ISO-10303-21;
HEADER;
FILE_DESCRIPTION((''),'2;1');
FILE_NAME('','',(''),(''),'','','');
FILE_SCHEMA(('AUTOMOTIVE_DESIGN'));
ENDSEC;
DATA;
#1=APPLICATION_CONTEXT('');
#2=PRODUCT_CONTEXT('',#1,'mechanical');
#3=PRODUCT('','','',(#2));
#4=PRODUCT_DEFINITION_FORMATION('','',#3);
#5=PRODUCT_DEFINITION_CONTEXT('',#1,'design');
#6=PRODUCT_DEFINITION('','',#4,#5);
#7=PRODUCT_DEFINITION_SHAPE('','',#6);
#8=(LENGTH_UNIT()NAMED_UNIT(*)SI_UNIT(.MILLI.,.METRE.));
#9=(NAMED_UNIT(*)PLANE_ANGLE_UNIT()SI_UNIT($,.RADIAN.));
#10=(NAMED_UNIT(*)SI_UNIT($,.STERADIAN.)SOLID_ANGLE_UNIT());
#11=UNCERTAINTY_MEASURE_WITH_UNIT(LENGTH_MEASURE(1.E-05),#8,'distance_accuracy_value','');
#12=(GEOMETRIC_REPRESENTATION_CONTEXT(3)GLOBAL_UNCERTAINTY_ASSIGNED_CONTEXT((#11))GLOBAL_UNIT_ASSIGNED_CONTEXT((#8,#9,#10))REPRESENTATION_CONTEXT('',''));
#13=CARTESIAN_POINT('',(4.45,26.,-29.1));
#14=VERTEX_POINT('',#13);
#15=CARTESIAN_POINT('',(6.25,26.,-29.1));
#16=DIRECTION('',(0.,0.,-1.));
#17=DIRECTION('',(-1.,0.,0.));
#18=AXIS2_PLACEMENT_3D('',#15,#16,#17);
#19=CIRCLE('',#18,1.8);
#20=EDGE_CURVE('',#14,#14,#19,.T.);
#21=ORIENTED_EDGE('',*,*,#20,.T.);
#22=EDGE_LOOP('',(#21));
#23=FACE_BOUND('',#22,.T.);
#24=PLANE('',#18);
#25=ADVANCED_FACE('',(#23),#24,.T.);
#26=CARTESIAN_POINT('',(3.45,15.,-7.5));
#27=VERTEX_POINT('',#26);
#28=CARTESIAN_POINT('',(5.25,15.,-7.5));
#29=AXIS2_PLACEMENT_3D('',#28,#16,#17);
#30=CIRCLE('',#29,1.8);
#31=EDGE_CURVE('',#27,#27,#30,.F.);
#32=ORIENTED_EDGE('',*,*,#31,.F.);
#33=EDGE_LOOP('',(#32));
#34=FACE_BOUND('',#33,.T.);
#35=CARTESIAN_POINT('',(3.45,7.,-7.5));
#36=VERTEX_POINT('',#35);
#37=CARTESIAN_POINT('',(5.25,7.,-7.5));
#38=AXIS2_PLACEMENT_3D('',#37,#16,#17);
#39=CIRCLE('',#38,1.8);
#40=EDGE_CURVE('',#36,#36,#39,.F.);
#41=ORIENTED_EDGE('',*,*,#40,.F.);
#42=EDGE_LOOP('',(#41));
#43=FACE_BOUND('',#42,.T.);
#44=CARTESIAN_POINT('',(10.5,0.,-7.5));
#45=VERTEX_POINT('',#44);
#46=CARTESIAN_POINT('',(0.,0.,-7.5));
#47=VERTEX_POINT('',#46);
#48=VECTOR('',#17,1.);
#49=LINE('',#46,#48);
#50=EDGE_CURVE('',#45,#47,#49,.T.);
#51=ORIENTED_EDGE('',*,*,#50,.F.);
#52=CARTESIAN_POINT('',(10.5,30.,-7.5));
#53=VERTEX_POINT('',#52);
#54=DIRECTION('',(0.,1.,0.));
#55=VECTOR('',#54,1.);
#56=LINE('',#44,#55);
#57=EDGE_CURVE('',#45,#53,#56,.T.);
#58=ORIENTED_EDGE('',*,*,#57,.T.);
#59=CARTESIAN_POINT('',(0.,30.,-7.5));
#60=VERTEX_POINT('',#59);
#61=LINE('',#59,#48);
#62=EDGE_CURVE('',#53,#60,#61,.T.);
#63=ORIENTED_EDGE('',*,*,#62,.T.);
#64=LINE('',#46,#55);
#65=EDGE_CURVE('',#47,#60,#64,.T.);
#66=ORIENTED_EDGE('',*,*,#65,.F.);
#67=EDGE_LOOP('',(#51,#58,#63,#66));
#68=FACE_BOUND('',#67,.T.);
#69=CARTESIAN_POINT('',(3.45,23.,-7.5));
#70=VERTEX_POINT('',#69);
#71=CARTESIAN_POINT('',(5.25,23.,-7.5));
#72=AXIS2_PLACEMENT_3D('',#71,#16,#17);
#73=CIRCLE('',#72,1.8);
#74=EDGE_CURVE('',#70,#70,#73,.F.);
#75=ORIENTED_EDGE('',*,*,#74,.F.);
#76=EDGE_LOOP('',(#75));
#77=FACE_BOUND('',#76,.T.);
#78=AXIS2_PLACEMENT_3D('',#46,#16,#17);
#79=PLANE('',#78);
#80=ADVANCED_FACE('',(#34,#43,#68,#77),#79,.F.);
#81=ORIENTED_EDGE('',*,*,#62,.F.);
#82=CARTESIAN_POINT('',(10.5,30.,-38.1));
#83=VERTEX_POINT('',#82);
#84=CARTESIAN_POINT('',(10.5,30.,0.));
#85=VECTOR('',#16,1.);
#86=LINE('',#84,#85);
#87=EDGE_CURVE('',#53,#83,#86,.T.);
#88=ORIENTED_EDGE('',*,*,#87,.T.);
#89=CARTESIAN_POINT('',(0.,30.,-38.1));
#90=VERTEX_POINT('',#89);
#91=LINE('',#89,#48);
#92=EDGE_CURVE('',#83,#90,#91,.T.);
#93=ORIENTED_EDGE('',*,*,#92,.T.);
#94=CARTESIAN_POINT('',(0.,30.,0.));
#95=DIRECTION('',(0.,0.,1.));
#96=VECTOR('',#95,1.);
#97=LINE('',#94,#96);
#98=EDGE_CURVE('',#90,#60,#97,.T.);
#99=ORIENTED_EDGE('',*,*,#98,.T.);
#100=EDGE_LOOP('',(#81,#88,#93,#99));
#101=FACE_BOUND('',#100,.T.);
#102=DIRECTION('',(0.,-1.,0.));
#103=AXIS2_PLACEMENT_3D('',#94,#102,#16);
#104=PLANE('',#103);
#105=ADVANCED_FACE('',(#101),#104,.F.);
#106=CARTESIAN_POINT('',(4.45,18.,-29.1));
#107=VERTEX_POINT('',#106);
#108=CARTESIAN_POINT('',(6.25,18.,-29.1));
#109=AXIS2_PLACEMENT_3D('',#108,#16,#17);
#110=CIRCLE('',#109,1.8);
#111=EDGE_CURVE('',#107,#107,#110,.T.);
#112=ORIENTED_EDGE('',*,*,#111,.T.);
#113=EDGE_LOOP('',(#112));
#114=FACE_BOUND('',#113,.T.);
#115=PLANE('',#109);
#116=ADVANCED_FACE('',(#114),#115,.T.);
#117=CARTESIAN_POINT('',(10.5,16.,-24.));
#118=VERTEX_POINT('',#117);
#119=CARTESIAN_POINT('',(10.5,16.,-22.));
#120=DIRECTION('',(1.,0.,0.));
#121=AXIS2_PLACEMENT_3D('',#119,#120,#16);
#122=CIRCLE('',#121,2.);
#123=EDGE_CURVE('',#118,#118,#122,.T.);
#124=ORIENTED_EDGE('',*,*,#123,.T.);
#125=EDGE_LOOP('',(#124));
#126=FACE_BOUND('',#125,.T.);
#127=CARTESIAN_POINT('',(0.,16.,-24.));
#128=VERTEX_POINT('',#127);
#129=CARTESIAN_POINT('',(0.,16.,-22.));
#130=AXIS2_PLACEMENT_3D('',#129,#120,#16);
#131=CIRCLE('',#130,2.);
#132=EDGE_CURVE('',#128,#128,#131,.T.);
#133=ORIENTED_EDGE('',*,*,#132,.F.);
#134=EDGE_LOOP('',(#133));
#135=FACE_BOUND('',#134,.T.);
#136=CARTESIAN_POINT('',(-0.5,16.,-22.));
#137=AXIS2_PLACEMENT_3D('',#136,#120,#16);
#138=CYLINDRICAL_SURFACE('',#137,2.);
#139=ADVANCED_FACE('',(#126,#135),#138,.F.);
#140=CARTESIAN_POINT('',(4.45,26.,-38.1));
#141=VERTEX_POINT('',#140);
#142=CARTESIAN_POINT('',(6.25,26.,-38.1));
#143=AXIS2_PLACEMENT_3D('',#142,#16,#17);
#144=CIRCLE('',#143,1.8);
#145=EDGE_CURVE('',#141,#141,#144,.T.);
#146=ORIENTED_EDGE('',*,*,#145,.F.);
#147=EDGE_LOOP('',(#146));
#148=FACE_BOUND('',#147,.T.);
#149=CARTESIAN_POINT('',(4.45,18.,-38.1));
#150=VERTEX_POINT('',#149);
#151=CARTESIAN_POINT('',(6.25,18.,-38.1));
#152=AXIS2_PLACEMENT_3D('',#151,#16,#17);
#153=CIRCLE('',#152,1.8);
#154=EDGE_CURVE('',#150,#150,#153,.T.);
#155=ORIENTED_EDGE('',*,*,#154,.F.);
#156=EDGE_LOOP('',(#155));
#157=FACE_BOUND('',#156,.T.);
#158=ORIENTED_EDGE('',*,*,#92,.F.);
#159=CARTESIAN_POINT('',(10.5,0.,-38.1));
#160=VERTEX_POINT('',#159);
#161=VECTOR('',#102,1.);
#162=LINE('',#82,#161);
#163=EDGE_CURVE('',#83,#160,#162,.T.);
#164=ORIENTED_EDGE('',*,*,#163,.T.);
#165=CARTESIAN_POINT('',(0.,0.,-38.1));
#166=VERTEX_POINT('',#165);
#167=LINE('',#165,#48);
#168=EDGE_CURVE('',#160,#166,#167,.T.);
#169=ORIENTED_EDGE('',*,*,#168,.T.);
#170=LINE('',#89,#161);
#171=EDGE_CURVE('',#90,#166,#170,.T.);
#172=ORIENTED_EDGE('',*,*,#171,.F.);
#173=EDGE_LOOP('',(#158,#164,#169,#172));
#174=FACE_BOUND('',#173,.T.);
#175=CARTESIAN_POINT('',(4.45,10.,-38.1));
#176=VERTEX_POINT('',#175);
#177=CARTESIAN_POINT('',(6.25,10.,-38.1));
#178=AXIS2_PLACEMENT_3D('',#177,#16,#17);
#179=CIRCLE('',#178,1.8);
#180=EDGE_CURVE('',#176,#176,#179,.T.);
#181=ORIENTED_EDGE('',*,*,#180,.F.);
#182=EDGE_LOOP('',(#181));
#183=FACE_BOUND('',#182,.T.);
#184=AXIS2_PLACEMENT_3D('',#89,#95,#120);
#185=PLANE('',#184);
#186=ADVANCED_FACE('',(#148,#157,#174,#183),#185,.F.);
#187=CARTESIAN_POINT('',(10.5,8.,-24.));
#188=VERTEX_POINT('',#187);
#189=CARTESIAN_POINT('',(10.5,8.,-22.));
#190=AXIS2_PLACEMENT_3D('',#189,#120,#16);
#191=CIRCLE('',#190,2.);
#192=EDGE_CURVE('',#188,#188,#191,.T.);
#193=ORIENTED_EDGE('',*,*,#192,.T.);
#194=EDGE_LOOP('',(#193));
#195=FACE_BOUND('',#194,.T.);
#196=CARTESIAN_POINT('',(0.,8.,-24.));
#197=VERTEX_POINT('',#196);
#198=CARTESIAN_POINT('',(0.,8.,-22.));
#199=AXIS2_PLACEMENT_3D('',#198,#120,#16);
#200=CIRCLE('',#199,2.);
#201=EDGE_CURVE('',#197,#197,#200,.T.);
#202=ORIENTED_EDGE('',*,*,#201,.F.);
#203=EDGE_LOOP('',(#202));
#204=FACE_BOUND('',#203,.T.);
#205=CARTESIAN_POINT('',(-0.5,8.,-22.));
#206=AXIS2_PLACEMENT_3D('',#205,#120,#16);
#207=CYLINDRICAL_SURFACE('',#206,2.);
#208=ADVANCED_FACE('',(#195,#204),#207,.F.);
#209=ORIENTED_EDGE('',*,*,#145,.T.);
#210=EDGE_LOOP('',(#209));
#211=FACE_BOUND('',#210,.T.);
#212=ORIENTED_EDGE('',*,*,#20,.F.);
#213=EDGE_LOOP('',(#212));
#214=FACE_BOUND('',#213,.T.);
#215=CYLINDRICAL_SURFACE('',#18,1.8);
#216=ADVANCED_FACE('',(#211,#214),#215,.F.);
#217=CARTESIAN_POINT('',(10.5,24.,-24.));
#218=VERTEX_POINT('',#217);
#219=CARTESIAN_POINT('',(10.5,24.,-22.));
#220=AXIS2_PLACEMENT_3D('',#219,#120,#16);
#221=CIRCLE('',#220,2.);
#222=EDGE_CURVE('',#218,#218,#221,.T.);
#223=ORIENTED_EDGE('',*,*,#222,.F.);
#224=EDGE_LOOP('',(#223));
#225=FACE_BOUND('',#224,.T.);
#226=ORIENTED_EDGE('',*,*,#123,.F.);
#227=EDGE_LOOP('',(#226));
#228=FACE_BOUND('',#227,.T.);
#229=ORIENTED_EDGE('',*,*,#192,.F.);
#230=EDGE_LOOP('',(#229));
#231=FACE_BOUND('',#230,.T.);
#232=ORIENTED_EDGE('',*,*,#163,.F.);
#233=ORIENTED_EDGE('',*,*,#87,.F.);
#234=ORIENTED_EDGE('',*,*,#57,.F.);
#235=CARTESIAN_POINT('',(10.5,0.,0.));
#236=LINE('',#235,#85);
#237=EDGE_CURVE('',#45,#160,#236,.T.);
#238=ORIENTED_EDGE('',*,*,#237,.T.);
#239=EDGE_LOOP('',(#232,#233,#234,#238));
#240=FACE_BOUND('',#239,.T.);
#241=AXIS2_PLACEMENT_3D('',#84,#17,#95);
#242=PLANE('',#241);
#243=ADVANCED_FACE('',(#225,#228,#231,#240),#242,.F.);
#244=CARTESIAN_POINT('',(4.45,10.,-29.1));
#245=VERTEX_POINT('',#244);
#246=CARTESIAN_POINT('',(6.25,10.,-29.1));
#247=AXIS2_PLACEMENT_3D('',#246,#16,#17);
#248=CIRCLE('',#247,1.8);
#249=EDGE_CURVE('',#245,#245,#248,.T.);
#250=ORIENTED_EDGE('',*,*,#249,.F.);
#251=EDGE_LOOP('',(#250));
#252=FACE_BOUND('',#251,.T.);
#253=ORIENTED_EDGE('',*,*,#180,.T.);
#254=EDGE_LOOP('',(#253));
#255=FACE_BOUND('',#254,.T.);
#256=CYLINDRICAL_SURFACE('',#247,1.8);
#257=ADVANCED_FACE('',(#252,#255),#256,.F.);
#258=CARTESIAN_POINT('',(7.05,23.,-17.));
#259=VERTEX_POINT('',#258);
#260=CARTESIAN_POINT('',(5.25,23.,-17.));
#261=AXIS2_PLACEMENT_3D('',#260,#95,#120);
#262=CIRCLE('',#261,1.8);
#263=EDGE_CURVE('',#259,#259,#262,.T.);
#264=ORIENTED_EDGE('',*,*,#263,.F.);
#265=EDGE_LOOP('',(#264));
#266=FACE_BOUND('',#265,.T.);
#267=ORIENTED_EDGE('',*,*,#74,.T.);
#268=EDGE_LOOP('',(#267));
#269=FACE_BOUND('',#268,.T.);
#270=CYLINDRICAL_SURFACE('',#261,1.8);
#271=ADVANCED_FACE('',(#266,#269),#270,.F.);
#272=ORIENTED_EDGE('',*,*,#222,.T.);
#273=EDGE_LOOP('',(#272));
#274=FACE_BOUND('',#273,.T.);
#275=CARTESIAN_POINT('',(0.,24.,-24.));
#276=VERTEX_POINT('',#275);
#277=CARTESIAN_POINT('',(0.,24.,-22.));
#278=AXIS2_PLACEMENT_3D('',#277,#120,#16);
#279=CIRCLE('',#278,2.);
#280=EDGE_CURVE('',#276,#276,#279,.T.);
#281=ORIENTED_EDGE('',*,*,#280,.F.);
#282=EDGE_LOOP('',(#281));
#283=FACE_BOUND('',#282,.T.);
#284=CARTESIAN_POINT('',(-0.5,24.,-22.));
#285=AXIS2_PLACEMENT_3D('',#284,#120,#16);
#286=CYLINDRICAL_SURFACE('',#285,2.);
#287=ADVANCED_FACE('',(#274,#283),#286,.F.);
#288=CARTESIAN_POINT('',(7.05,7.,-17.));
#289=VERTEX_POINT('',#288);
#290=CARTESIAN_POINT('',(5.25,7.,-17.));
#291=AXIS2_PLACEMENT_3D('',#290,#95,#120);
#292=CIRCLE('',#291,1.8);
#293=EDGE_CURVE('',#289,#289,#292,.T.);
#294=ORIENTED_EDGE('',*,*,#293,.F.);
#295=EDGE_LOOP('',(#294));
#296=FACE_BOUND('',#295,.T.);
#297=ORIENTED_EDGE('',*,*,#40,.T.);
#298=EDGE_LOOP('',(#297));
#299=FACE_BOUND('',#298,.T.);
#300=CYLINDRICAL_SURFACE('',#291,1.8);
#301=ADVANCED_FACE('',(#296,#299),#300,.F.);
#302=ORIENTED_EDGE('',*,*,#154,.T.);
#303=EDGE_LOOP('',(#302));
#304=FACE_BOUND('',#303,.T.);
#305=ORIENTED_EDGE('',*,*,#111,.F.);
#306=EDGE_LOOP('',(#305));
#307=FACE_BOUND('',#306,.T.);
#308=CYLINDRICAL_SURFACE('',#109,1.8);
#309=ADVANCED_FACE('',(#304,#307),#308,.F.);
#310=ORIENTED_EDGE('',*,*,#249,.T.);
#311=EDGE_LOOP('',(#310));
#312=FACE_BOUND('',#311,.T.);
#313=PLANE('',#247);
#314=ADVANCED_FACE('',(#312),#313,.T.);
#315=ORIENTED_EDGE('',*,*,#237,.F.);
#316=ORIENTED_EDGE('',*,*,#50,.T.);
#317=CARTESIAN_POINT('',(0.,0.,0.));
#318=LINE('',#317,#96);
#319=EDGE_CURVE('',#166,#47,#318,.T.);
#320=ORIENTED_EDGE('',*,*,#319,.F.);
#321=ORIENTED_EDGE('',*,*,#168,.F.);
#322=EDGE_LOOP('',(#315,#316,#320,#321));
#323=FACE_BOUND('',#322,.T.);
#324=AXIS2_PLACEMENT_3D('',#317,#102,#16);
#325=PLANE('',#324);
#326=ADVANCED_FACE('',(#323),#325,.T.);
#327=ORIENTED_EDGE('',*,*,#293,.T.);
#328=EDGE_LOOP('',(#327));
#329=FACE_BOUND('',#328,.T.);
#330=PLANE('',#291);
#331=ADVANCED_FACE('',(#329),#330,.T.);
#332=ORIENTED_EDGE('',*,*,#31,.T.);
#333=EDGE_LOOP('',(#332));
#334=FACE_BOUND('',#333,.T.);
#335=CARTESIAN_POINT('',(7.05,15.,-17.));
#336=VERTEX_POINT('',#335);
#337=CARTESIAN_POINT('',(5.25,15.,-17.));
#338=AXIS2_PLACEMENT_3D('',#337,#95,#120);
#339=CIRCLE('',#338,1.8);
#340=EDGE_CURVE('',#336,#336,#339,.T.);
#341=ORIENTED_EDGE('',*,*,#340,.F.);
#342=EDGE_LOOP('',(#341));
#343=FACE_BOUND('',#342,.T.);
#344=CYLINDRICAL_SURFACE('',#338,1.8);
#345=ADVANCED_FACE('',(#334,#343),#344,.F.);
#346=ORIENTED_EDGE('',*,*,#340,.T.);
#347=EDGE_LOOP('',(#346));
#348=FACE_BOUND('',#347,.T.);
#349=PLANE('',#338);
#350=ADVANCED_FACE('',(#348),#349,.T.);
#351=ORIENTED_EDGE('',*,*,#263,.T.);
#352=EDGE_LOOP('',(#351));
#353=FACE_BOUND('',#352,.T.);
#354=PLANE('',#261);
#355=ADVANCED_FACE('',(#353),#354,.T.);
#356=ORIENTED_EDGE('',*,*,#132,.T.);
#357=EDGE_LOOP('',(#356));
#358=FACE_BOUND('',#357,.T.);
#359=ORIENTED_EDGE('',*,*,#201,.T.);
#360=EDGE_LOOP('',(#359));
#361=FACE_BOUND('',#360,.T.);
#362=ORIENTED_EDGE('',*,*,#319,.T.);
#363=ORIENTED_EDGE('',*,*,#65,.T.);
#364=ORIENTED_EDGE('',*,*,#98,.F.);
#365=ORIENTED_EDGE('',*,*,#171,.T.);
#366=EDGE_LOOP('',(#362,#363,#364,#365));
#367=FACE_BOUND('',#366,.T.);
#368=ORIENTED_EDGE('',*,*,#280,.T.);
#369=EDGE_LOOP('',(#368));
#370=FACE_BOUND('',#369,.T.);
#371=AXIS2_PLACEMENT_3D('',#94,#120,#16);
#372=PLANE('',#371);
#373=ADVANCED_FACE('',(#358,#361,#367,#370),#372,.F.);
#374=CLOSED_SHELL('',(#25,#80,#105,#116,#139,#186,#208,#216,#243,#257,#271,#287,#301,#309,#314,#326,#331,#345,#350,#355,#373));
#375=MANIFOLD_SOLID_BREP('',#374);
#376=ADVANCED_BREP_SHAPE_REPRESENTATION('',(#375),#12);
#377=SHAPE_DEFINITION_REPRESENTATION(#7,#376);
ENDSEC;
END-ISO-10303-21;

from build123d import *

# Parameters (mm, degrees)
SKETCH_1_W          = 10.5
SKETCH_1_H          = 38.1
EXTRUDE_1_DEPTH     = 30
SKETCH_2_R          = 2
CUT_EXTRUDE_1_DEPTH = 11
SKETCH_3_R          = 1.8
CUT_EXTRUDE_2_DEPTH = 17
SKETCH_4_R          = 1.8
CUT_EXTRUDE_3_DEPTH = 9
SKETCH_5_W          = 10.5
SKETCH_5_H          = 7.5
CUT_EXTRUDE_4_DEPTH = 30


with BuildPart() as part:
    # 草圖1 → 填料-伸長1 (new body)
    with BuildSketch(Plane(origin=(0, 0, 0), x_dir=(1, 0, 0), z_dir=(0, 1, 0))):
        with Locations((5.25, 19.05)):
            Rectangle(SKETCH_1_W, SKETCH_1_H)
    extrude(amount=EXTRUDE_1_DEPTH)

    # 草圖2 → 除料-伸長1 (cut)
    with BuildSketch(Plane(origin=(10.5, 0, 0), x_dir=(0, 0, -1), z_dir=(1, 0, 0))):
        with Locations((22, 24)):
            Circle(SKETCH_2_R)
        with Locations((22, 16)):
            Circle(SKETCH_2_R)
        with Locations((22, 8)):
            Circle(SKETCH_2_R)
    extrude(amount=-CUT_EXTRUDE_1_DEPTH, mode=Mode.SUBTRACT)

    # 草圖3 → 除料-伸長2 (cut)
    with BuildSketch(Plane.XY):
        with Locations((5.25, 23)):
            Circle(SKETCH_3_R)
        with Locations((5.25, 15)):
            Circle(SKETCH_3_R)
        with Locations((5.25, 7)):
            Circle(SKETCH_3_R)
    extrude(amount=-CUT_EXTRUDE_2_DEPTH, mode=Mode.SUBTRACT)

    # 草圖4 → 除料-伸長3 (cut)
    with BuildSketch(Plane(origin=(0, 0, -38.1), x_dir=(-1, 0, 0), z_dir=(0, 0, -1))):
        with Locations((-6.25, 26)):
            Circle(SKETCH_4_R)
        with Locations((-6.25, 18)):
            Circle(SKETCH_4_R)
        with Locations((-6.25, 10)):
            Circle(SKETCH_4_R)
    extrude(amount=-CUT_EXTRUDE_3_DEPTH, mode=Mode.SUBTRACT)

    # 草圖5 → 除料-伸長4 (cut)
    with BuildSketch(Plane(origin=(0, 30, 0), x_dir=(1, 0, 0), z_dir=(0, 1, 0))):
        with Locations((5.25, 3.75)):
            Rectangle(SKETCH_5_W, SKETCH_5_H)
    extrude(amount=-CUT_EXTRUDE_4_DEPTH, mode=Mode.SUBTRACT)


solid = part.part
